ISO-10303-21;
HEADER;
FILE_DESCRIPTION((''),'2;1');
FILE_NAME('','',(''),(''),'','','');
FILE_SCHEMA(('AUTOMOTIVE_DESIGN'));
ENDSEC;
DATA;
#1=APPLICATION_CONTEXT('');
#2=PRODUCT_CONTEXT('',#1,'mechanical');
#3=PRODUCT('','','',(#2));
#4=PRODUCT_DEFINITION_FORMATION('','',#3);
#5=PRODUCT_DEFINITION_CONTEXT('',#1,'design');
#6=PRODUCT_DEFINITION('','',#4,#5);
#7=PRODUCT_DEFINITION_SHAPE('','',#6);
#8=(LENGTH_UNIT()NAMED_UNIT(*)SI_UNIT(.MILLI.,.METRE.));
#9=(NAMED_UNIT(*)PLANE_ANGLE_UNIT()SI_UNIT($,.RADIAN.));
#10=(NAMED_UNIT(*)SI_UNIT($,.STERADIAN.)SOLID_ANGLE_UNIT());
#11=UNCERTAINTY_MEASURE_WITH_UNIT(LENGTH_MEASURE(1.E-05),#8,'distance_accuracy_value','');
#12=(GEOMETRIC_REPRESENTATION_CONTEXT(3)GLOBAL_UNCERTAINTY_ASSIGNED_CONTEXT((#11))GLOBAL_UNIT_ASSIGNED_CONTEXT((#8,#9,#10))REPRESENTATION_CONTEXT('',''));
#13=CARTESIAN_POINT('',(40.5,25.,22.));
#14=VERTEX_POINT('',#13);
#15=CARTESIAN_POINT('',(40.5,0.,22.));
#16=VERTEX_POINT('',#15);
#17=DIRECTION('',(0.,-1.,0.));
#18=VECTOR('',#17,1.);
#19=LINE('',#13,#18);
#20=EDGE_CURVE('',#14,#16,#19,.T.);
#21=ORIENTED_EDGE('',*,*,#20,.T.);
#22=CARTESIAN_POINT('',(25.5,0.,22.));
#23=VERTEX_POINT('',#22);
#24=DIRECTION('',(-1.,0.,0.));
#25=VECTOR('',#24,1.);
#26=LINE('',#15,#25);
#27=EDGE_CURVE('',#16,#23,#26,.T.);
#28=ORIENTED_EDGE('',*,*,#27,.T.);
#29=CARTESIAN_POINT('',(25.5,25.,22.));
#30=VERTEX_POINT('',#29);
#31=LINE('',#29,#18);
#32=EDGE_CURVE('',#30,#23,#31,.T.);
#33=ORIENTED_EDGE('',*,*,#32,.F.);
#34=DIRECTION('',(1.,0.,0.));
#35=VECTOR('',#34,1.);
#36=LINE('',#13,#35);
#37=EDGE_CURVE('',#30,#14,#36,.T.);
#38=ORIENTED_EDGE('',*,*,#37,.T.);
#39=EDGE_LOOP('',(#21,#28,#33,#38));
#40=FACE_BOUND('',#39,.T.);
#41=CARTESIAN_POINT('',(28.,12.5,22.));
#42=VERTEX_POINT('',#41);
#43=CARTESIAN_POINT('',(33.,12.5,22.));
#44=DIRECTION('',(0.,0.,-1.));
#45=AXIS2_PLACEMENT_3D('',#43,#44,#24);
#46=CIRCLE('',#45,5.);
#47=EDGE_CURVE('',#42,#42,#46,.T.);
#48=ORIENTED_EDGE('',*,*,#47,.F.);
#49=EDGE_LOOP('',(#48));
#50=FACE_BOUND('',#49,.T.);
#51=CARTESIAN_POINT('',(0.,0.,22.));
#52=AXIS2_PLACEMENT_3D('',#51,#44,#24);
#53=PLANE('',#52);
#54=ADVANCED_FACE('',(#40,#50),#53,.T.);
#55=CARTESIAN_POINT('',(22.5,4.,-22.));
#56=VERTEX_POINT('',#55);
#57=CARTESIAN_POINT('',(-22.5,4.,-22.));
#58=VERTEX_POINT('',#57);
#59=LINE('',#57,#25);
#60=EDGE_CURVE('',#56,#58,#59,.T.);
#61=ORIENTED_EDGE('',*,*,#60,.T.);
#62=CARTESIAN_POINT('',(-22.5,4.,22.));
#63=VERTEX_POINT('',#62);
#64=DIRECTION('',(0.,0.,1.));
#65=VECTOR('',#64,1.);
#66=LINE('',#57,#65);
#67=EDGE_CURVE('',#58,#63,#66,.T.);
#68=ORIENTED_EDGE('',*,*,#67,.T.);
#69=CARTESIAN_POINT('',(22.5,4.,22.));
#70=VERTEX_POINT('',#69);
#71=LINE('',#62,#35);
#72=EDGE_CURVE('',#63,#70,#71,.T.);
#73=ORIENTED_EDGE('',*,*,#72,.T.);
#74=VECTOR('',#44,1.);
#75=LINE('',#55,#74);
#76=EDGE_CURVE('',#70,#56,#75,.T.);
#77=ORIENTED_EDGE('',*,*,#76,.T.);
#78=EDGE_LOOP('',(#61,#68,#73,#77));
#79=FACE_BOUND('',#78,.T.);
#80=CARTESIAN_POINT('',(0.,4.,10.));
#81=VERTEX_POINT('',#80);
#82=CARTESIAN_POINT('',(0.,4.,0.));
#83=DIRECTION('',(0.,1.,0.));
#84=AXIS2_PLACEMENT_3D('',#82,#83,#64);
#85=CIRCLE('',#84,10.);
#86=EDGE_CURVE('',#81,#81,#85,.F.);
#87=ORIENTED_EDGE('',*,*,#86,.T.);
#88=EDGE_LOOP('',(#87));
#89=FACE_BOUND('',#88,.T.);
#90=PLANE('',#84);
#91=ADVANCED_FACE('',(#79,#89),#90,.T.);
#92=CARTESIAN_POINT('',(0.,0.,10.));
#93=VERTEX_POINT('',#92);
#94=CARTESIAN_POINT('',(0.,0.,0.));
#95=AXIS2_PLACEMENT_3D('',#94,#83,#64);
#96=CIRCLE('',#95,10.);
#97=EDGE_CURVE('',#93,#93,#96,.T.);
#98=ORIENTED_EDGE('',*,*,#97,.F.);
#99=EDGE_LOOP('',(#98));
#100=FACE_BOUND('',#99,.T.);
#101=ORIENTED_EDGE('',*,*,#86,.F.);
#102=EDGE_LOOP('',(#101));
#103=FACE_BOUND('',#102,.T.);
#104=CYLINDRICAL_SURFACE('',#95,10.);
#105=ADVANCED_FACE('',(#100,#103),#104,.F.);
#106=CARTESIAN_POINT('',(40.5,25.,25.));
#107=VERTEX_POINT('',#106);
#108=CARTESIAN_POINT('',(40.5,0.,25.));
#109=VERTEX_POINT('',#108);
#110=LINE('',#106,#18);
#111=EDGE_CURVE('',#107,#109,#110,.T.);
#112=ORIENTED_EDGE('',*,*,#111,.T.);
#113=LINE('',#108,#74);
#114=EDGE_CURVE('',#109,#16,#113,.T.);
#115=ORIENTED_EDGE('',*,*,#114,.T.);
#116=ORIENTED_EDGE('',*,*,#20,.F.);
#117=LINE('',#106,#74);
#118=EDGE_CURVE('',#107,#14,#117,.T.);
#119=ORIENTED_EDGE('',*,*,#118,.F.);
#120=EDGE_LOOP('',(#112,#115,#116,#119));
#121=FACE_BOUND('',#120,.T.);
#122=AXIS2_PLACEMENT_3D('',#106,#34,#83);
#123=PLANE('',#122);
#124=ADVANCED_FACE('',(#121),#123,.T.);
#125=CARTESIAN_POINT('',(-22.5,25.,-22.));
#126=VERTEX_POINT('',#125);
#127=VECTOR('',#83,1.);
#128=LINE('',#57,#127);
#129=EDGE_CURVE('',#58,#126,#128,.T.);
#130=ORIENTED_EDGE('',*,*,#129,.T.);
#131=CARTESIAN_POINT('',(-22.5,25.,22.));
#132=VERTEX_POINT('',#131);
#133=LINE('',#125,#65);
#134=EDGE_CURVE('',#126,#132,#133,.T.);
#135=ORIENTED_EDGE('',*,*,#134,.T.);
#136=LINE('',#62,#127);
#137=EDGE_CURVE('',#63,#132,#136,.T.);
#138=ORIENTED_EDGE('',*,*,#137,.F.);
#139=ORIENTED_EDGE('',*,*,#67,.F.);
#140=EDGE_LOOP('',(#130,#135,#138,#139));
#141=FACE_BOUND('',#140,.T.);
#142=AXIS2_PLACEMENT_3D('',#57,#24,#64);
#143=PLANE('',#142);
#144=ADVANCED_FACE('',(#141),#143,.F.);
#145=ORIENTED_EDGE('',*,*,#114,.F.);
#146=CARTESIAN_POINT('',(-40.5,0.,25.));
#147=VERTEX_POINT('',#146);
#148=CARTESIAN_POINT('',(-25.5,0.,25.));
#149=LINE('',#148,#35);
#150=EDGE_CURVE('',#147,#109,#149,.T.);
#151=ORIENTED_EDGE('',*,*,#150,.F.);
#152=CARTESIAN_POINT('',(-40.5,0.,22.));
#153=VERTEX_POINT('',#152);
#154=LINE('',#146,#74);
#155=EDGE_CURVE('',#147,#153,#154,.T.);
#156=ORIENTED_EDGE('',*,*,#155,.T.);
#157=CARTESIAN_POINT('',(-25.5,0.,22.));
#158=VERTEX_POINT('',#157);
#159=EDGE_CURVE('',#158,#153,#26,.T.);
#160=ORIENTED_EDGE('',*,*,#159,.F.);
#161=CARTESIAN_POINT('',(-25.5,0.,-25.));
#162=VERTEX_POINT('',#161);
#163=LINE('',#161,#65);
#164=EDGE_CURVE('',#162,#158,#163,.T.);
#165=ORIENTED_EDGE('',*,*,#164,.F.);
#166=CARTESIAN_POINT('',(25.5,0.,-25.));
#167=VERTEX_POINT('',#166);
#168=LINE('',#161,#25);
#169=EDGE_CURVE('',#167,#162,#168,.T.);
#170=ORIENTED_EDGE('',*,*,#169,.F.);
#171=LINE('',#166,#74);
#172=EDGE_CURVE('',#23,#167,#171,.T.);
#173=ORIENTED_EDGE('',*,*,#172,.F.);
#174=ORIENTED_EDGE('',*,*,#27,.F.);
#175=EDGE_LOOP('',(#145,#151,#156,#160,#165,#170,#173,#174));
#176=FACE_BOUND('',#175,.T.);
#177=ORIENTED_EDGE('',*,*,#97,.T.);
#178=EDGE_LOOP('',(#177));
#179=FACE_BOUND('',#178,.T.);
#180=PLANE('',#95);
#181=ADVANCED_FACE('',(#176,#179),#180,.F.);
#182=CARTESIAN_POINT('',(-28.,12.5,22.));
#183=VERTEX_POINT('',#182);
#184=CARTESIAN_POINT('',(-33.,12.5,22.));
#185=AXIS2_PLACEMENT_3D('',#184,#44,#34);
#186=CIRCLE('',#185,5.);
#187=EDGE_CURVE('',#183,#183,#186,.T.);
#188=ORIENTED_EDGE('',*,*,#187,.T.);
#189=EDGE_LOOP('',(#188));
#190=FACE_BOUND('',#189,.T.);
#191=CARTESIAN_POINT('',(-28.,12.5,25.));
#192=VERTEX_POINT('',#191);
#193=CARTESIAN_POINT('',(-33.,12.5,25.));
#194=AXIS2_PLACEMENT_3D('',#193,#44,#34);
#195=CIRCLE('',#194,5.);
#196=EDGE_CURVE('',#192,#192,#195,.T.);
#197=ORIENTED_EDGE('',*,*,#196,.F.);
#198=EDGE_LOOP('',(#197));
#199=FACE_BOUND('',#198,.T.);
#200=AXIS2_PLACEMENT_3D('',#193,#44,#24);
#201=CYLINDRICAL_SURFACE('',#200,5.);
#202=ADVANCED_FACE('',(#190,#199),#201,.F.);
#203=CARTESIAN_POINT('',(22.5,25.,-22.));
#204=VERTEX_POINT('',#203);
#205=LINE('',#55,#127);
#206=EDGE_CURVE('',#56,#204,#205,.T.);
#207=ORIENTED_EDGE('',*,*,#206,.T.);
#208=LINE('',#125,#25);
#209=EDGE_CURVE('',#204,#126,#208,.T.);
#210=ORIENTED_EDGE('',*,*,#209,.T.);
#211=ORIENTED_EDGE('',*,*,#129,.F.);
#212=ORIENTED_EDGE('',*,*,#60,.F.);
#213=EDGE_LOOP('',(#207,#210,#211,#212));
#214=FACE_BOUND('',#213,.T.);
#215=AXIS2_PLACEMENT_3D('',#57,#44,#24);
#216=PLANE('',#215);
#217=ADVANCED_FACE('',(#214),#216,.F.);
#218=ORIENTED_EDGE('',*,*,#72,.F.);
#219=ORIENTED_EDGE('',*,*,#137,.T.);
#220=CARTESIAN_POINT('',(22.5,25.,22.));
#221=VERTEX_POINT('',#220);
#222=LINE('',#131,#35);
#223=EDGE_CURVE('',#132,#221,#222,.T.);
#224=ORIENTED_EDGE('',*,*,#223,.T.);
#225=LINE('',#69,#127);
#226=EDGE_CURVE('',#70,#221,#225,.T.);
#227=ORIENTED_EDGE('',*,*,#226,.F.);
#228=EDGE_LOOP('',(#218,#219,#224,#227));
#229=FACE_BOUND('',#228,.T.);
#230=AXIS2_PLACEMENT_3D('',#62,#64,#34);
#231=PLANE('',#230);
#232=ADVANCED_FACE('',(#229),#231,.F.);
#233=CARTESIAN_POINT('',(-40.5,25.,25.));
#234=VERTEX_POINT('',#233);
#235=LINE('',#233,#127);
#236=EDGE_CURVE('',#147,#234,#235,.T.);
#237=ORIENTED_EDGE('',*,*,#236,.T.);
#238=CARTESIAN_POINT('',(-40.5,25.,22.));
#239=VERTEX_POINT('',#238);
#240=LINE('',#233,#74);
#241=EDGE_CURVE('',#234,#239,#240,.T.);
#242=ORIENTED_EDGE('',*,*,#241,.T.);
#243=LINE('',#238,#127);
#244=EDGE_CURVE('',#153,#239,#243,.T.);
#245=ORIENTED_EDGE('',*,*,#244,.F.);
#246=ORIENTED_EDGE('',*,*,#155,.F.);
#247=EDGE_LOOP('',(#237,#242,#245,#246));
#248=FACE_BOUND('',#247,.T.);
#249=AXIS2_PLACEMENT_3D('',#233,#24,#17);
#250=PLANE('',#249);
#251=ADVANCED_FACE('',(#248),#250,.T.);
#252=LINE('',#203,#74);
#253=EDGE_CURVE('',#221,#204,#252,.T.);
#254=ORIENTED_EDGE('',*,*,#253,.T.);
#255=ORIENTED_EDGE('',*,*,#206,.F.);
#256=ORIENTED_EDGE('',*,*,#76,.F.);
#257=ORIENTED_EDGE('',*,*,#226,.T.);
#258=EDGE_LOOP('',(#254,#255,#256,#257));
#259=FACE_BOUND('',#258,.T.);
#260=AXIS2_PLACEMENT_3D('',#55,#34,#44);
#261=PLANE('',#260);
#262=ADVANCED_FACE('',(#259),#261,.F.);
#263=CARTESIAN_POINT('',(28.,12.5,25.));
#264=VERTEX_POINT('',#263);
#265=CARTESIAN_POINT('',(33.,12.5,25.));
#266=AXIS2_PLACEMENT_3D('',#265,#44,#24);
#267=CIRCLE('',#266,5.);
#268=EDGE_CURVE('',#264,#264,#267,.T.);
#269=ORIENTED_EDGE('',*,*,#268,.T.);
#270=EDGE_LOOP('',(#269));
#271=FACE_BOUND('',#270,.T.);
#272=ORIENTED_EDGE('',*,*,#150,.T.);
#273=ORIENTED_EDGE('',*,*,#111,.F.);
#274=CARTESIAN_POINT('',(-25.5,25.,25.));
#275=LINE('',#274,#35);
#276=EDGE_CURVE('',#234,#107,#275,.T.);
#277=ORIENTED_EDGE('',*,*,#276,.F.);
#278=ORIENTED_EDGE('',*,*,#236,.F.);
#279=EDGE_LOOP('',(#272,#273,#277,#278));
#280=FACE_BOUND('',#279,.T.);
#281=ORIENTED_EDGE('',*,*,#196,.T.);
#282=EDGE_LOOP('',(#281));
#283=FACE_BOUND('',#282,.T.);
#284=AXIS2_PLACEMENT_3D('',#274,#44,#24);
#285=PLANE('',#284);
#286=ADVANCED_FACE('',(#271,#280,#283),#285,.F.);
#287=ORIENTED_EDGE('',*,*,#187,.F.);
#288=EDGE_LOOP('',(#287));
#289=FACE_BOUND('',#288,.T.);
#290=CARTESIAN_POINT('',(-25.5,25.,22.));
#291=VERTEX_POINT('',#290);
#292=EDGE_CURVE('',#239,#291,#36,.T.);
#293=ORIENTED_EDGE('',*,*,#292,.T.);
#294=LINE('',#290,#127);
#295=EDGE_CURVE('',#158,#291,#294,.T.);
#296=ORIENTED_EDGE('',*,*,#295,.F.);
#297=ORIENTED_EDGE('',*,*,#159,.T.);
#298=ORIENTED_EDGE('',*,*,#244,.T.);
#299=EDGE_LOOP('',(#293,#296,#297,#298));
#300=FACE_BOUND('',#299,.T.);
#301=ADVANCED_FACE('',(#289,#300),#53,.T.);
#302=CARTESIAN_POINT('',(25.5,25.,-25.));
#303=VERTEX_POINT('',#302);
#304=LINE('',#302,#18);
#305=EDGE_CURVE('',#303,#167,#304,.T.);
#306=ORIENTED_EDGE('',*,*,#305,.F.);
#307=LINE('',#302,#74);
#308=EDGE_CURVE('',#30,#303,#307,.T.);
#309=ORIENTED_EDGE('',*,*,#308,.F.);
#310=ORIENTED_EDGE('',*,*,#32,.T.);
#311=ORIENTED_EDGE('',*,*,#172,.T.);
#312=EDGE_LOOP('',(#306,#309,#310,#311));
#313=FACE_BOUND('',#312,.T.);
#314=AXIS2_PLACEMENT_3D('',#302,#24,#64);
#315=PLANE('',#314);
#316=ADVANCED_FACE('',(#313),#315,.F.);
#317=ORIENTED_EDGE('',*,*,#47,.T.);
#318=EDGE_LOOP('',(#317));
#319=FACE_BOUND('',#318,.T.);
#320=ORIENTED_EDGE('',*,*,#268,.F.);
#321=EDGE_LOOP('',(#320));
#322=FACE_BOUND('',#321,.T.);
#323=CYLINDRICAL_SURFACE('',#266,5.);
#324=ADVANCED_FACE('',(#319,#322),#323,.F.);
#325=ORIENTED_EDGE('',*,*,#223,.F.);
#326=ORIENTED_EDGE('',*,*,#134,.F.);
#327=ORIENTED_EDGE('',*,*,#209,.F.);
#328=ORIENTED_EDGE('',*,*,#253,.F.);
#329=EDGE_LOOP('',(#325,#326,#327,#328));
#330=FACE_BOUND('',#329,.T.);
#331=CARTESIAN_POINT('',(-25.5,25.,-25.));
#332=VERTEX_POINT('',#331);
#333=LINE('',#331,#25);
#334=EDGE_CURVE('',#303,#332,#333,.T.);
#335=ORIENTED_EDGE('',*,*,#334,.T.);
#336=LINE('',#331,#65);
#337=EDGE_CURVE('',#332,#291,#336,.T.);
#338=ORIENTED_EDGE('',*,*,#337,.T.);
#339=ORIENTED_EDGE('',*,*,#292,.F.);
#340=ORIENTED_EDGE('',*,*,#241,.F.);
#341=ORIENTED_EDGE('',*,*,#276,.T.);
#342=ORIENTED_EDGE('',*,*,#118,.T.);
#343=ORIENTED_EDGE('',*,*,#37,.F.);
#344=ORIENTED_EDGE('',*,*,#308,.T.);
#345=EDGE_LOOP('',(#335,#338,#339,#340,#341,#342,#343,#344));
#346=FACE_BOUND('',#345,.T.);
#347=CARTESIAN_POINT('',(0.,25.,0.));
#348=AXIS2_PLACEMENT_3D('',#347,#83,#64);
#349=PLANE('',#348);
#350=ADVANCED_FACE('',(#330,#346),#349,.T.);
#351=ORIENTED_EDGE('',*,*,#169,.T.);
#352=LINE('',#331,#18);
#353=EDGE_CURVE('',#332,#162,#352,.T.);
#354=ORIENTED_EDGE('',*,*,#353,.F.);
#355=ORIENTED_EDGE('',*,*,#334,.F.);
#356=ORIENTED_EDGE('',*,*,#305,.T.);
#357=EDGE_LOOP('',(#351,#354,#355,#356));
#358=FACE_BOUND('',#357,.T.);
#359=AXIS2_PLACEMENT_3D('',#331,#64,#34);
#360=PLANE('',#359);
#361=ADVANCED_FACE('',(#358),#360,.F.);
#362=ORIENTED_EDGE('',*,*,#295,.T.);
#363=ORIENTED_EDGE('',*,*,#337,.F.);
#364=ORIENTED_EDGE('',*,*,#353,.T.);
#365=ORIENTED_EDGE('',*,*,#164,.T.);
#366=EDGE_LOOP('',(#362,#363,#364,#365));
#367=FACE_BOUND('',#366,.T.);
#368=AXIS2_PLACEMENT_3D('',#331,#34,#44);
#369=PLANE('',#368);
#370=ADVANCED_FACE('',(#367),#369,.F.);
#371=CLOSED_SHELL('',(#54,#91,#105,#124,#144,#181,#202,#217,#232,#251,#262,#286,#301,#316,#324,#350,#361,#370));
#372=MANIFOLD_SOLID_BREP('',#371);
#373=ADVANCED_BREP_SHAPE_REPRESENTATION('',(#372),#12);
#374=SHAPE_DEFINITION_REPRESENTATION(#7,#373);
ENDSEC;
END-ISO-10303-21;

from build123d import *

# Parameters (mm, degrees)
SKETCH_1_W          = 51
SKETCH_1_H          = 50
EXTRUDE_1_DEPTH     = 25
SKETCH_2_R          = 10
CUT_EXTRUDE_1_DEPTH = 26
SKETCH_3_W          = 45
SKETCH_3_H          = 44
CUT_EXTRUDE_2_DEPTH = 21
SKETCH_4_W          = 81
SKETCH_4_H          = 25
SKETCH_4_R          = 5
EXTRUDE_2_DEPTH     = 3


with BuildPart() as part:
    # 草圖1 → 填料-伸長1 (new body)
    with BuildSketch(Plane(origin=(0, 0, 0), x_dir=(1, 0, 0), z_dir=(0, 1, 0))):
        Rectangle(SKETCH_1_W, SKETCH_1_H)
    extrude(amount=EXTRUDE_1_DEPTH)

    # 草圖2 → 除料-伸長1 (cut, through all)
    with BuildSketch(Plane(origin=(0, 25, 0), x_dir=(1, 0, 0), z_dir=(0, 1, 0))):
        Circle(SKETCH_2_R)
    extrude(amount=-CUT_EXTRUDE_1_DEPTH, mode=Mode.SUBTRACT)

    # 草圖3 → 除料-伸長2 (cut)
    with BuildSketch(Plane(origin=(0, 25, 0), x_dir=(1, 0, 0), z_dir=(0, 1, 0))):
        Rectangle(SKETCH_3_W, SKETCH_3_H)
    extrude(amount=-CUT_EXTRUDE_2_DEPTH, mode=Mode.SUBTRACT)

    # 草圖4 → 填料-伸長2 (add)
    with BuildSketch(Plane(origin=(0, 0, 22), x_dir=(-1, 0, 0), z_dir=(0, 0, -1))):
        with Locations((0, 12.5)):
            Rectangle(SKETCH_4_W, SKETCH_4_H)
        with Locations((-33, 12.5)):
            Circle(SKETCH_4_R, mode=Mode.SUBTRACT)
        with Locations((33, 12.5)):
            Circle(SKETCH_4_R, mode=Mode.SUBTRACT)
    extrude(amount=-EXTRUDE_2_DEPTH)


solid = part.part
